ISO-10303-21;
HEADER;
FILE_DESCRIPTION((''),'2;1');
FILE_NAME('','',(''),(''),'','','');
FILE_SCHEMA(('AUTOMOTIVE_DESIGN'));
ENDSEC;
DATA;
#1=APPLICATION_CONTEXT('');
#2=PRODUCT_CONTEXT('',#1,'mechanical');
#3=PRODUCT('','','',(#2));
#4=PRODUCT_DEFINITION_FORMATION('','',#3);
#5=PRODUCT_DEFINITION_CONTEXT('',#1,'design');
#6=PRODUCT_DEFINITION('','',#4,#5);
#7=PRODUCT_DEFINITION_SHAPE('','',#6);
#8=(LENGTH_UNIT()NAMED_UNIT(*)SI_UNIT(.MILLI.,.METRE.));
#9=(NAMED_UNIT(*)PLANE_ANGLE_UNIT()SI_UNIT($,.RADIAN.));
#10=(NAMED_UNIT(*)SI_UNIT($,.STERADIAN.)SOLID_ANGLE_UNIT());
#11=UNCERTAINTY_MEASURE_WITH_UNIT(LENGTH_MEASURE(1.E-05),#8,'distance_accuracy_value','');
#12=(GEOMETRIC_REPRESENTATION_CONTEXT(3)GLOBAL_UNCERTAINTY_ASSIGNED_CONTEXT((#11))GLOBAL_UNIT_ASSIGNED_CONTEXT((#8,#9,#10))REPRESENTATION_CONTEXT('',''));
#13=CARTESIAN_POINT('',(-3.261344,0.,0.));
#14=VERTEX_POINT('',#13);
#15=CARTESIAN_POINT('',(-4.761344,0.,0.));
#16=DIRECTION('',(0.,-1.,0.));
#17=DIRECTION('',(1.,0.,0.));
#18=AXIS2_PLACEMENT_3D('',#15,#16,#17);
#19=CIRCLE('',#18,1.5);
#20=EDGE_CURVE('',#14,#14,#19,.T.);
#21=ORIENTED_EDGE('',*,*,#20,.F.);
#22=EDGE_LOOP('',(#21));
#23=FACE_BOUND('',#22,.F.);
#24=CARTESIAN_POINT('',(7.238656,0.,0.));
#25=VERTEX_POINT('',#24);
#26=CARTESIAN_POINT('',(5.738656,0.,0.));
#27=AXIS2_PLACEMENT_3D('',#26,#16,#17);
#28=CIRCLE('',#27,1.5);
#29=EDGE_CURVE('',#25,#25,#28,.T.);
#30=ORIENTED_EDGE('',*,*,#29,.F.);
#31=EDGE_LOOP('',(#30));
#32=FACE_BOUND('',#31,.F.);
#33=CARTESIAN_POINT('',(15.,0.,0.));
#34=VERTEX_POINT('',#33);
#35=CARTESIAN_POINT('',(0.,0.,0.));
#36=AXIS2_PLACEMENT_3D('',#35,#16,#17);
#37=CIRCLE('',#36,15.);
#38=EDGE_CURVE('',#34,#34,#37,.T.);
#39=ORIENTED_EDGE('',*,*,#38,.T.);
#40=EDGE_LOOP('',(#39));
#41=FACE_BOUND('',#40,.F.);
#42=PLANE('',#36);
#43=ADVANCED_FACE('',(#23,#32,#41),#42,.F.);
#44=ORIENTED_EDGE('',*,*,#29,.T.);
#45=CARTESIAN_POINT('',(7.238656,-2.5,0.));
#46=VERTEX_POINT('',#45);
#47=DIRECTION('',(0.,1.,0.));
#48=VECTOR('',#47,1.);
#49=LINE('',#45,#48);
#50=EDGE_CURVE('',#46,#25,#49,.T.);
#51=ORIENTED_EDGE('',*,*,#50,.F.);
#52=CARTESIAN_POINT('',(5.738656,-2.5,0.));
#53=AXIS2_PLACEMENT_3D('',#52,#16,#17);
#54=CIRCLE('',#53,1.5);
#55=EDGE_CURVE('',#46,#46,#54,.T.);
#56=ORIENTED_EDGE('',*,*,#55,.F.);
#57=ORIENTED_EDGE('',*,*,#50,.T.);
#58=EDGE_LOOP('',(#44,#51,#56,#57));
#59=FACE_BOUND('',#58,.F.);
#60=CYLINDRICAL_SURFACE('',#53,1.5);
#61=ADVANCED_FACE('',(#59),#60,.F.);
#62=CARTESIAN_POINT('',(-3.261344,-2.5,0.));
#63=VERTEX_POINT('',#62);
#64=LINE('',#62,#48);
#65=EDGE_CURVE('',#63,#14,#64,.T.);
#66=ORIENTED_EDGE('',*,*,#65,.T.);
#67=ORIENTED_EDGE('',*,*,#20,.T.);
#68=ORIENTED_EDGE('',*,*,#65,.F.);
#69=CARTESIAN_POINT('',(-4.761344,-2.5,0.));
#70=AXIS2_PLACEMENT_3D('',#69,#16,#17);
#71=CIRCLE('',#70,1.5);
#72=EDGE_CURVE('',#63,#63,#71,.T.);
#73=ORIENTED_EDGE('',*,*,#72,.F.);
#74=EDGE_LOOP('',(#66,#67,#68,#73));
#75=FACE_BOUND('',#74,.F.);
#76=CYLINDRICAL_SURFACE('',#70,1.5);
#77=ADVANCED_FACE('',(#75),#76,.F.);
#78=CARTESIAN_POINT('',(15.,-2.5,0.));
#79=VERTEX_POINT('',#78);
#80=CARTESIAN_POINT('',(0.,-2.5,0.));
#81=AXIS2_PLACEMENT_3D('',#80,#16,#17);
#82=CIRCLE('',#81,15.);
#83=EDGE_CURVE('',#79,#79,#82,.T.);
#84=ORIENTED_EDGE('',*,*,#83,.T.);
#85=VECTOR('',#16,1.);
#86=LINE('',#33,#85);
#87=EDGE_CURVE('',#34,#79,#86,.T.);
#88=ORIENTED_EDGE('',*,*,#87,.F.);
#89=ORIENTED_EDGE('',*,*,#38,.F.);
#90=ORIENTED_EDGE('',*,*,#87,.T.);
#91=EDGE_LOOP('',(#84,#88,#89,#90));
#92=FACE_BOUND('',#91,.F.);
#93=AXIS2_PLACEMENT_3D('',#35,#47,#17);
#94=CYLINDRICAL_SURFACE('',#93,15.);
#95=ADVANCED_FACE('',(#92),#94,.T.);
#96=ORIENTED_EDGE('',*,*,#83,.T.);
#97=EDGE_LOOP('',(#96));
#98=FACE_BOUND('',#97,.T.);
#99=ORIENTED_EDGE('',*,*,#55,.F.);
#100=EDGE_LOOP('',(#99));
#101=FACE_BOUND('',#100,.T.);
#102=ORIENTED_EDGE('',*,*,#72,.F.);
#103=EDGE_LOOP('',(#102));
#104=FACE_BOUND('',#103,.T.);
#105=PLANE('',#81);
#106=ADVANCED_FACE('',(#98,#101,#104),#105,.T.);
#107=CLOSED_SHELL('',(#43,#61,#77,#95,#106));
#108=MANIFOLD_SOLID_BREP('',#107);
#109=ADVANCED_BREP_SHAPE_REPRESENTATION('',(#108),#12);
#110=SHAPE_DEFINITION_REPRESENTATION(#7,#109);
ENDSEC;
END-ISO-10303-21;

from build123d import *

# Parameters (mm, degrees)
F0_R     = 15
F1_DEPTH = 2.5
F2_R     = 1.5
F3_DEPTH = 5


with BuildPart() as f1:
    # F0 (on Front) → F1 (new body)
    with BuildSketch(Plane.XZ):
        Circle(F0_R)
    extrude(amount=F1_DEPTH)

    # F2 (on face) → F3 (cut)
    with BuildSketch(Plane.XZ.offset(2.5)):
        with Locations((-4.761344, 0)):
            Circle(F2_R)
        with Locations((5.738656, 0)):
            Circle(F2_R)
    extrude(amount=-F3_DEPTH, mode=Mode.SUBTRACT)


solid = f1.part
